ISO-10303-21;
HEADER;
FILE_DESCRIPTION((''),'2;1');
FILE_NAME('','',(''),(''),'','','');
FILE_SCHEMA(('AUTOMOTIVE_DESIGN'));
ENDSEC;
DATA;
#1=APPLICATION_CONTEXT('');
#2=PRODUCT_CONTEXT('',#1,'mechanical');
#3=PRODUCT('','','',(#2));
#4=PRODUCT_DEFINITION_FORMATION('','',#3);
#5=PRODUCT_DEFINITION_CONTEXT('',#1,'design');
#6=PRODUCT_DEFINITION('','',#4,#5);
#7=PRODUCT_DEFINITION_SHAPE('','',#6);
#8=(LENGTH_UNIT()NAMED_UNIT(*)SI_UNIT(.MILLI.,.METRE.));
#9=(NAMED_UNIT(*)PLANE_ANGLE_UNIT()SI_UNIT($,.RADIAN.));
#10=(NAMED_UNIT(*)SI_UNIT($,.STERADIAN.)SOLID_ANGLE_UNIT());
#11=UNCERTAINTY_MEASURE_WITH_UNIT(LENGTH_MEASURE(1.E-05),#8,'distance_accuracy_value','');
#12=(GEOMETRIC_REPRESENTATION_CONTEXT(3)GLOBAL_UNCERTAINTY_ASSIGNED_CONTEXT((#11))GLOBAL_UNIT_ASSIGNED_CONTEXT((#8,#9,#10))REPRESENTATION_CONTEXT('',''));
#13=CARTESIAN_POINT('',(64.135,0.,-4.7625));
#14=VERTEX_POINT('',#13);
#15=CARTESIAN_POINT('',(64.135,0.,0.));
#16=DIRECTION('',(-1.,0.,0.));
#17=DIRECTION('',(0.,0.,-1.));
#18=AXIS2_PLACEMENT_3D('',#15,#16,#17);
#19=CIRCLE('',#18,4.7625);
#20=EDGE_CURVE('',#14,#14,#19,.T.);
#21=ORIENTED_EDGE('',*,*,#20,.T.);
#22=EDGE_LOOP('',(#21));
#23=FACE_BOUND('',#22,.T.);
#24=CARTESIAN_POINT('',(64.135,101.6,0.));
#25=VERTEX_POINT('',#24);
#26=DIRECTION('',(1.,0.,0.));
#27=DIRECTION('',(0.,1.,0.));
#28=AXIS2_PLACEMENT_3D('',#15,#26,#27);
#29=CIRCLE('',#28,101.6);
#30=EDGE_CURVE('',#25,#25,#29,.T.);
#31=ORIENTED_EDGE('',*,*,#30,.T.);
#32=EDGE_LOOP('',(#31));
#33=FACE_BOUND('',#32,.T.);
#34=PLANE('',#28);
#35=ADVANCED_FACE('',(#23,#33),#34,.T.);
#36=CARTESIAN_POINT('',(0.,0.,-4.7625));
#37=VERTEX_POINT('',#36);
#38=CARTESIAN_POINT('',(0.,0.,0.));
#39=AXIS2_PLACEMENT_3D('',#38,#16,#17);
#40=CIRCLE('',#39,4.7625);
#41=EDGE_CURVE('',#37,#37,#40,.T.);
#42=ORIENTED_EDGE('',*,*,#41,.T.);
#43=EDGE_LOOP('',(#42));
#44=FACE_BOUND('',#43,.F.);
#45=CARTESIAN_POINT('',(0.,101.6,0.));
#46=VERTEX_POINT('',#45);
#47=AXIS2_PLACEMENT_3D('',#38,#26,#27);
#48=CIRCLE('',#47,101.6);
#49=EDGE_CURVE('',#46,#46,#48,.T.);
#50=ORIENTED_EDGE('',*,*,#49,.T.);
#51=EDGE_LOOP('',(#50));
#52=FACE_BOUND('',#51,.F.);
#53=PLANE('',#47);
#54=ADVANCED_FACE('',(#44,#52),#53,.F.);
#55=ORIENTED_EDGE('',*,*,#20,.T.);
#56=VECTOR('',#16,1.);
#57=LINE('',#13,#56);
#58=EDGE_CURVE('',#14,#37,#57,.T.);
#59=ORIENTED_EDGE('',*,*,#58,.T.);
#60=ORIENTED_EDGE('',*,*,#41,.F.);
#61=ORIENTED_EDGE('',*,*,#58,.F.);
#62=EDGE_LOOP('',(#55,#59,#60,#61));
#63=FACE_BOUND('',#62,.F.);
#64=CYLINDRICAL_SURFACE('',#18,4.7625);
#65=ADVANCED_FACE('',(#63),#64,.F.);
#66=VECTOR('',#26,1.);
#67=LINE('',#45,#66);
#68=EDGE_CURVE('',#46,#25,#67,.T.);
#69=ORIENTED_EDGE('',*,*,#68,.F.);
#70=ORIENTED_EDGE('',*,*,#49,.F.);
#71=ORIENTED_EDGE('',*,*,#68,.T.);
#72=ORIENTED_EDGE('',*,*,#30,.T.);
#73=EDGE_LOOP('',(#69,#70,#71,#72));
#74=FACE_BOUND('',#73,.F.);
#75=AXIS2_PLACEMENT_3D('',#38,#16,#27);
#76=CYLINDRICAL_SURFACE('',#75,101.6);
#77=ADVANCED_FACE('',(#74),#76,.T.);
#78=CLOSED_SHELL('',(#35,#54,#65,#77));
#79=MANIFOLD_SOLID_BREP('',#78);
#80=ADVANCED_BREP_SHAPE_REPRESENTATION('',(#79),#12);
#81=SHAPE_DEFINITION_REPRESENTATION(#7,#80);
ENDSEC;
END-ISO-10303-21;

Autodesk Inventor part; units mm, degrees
ref_plane "YZ Plane" through (0, 0, 0) normal (1, 0, 0) x (0, 1, 0)
ref_plane "XZ Plane" through (0, 0, 0) normal (0, 1, 0) x (-1, 0, 0)
ref_plane "XY Plane" through (0, 0, 0) normal (0, 0, 1) x (1, 0, 0)
sketch "Sketch1" plane through (0, 0, 0) normal (1, 0, 0) x (0, 1, 0)
  circle A0 centre (0, 0) radius 101.6
  dimension "d0" = 203.2
extrude "Extrusion1" add sketch "Sketch1" along normal blind 64.135
sketch "Sketch2" plane through (64.135, 0, 0) normal (1, 0, 0) x (0, 0, -1)
  point P0 (0, 0)
  point P1 (0, 0)
hole "Hole1" at (64.135, 0, 0) direction (-1, 0, 0) diameter 9.525 end through all
properties part number "Mechanum"
